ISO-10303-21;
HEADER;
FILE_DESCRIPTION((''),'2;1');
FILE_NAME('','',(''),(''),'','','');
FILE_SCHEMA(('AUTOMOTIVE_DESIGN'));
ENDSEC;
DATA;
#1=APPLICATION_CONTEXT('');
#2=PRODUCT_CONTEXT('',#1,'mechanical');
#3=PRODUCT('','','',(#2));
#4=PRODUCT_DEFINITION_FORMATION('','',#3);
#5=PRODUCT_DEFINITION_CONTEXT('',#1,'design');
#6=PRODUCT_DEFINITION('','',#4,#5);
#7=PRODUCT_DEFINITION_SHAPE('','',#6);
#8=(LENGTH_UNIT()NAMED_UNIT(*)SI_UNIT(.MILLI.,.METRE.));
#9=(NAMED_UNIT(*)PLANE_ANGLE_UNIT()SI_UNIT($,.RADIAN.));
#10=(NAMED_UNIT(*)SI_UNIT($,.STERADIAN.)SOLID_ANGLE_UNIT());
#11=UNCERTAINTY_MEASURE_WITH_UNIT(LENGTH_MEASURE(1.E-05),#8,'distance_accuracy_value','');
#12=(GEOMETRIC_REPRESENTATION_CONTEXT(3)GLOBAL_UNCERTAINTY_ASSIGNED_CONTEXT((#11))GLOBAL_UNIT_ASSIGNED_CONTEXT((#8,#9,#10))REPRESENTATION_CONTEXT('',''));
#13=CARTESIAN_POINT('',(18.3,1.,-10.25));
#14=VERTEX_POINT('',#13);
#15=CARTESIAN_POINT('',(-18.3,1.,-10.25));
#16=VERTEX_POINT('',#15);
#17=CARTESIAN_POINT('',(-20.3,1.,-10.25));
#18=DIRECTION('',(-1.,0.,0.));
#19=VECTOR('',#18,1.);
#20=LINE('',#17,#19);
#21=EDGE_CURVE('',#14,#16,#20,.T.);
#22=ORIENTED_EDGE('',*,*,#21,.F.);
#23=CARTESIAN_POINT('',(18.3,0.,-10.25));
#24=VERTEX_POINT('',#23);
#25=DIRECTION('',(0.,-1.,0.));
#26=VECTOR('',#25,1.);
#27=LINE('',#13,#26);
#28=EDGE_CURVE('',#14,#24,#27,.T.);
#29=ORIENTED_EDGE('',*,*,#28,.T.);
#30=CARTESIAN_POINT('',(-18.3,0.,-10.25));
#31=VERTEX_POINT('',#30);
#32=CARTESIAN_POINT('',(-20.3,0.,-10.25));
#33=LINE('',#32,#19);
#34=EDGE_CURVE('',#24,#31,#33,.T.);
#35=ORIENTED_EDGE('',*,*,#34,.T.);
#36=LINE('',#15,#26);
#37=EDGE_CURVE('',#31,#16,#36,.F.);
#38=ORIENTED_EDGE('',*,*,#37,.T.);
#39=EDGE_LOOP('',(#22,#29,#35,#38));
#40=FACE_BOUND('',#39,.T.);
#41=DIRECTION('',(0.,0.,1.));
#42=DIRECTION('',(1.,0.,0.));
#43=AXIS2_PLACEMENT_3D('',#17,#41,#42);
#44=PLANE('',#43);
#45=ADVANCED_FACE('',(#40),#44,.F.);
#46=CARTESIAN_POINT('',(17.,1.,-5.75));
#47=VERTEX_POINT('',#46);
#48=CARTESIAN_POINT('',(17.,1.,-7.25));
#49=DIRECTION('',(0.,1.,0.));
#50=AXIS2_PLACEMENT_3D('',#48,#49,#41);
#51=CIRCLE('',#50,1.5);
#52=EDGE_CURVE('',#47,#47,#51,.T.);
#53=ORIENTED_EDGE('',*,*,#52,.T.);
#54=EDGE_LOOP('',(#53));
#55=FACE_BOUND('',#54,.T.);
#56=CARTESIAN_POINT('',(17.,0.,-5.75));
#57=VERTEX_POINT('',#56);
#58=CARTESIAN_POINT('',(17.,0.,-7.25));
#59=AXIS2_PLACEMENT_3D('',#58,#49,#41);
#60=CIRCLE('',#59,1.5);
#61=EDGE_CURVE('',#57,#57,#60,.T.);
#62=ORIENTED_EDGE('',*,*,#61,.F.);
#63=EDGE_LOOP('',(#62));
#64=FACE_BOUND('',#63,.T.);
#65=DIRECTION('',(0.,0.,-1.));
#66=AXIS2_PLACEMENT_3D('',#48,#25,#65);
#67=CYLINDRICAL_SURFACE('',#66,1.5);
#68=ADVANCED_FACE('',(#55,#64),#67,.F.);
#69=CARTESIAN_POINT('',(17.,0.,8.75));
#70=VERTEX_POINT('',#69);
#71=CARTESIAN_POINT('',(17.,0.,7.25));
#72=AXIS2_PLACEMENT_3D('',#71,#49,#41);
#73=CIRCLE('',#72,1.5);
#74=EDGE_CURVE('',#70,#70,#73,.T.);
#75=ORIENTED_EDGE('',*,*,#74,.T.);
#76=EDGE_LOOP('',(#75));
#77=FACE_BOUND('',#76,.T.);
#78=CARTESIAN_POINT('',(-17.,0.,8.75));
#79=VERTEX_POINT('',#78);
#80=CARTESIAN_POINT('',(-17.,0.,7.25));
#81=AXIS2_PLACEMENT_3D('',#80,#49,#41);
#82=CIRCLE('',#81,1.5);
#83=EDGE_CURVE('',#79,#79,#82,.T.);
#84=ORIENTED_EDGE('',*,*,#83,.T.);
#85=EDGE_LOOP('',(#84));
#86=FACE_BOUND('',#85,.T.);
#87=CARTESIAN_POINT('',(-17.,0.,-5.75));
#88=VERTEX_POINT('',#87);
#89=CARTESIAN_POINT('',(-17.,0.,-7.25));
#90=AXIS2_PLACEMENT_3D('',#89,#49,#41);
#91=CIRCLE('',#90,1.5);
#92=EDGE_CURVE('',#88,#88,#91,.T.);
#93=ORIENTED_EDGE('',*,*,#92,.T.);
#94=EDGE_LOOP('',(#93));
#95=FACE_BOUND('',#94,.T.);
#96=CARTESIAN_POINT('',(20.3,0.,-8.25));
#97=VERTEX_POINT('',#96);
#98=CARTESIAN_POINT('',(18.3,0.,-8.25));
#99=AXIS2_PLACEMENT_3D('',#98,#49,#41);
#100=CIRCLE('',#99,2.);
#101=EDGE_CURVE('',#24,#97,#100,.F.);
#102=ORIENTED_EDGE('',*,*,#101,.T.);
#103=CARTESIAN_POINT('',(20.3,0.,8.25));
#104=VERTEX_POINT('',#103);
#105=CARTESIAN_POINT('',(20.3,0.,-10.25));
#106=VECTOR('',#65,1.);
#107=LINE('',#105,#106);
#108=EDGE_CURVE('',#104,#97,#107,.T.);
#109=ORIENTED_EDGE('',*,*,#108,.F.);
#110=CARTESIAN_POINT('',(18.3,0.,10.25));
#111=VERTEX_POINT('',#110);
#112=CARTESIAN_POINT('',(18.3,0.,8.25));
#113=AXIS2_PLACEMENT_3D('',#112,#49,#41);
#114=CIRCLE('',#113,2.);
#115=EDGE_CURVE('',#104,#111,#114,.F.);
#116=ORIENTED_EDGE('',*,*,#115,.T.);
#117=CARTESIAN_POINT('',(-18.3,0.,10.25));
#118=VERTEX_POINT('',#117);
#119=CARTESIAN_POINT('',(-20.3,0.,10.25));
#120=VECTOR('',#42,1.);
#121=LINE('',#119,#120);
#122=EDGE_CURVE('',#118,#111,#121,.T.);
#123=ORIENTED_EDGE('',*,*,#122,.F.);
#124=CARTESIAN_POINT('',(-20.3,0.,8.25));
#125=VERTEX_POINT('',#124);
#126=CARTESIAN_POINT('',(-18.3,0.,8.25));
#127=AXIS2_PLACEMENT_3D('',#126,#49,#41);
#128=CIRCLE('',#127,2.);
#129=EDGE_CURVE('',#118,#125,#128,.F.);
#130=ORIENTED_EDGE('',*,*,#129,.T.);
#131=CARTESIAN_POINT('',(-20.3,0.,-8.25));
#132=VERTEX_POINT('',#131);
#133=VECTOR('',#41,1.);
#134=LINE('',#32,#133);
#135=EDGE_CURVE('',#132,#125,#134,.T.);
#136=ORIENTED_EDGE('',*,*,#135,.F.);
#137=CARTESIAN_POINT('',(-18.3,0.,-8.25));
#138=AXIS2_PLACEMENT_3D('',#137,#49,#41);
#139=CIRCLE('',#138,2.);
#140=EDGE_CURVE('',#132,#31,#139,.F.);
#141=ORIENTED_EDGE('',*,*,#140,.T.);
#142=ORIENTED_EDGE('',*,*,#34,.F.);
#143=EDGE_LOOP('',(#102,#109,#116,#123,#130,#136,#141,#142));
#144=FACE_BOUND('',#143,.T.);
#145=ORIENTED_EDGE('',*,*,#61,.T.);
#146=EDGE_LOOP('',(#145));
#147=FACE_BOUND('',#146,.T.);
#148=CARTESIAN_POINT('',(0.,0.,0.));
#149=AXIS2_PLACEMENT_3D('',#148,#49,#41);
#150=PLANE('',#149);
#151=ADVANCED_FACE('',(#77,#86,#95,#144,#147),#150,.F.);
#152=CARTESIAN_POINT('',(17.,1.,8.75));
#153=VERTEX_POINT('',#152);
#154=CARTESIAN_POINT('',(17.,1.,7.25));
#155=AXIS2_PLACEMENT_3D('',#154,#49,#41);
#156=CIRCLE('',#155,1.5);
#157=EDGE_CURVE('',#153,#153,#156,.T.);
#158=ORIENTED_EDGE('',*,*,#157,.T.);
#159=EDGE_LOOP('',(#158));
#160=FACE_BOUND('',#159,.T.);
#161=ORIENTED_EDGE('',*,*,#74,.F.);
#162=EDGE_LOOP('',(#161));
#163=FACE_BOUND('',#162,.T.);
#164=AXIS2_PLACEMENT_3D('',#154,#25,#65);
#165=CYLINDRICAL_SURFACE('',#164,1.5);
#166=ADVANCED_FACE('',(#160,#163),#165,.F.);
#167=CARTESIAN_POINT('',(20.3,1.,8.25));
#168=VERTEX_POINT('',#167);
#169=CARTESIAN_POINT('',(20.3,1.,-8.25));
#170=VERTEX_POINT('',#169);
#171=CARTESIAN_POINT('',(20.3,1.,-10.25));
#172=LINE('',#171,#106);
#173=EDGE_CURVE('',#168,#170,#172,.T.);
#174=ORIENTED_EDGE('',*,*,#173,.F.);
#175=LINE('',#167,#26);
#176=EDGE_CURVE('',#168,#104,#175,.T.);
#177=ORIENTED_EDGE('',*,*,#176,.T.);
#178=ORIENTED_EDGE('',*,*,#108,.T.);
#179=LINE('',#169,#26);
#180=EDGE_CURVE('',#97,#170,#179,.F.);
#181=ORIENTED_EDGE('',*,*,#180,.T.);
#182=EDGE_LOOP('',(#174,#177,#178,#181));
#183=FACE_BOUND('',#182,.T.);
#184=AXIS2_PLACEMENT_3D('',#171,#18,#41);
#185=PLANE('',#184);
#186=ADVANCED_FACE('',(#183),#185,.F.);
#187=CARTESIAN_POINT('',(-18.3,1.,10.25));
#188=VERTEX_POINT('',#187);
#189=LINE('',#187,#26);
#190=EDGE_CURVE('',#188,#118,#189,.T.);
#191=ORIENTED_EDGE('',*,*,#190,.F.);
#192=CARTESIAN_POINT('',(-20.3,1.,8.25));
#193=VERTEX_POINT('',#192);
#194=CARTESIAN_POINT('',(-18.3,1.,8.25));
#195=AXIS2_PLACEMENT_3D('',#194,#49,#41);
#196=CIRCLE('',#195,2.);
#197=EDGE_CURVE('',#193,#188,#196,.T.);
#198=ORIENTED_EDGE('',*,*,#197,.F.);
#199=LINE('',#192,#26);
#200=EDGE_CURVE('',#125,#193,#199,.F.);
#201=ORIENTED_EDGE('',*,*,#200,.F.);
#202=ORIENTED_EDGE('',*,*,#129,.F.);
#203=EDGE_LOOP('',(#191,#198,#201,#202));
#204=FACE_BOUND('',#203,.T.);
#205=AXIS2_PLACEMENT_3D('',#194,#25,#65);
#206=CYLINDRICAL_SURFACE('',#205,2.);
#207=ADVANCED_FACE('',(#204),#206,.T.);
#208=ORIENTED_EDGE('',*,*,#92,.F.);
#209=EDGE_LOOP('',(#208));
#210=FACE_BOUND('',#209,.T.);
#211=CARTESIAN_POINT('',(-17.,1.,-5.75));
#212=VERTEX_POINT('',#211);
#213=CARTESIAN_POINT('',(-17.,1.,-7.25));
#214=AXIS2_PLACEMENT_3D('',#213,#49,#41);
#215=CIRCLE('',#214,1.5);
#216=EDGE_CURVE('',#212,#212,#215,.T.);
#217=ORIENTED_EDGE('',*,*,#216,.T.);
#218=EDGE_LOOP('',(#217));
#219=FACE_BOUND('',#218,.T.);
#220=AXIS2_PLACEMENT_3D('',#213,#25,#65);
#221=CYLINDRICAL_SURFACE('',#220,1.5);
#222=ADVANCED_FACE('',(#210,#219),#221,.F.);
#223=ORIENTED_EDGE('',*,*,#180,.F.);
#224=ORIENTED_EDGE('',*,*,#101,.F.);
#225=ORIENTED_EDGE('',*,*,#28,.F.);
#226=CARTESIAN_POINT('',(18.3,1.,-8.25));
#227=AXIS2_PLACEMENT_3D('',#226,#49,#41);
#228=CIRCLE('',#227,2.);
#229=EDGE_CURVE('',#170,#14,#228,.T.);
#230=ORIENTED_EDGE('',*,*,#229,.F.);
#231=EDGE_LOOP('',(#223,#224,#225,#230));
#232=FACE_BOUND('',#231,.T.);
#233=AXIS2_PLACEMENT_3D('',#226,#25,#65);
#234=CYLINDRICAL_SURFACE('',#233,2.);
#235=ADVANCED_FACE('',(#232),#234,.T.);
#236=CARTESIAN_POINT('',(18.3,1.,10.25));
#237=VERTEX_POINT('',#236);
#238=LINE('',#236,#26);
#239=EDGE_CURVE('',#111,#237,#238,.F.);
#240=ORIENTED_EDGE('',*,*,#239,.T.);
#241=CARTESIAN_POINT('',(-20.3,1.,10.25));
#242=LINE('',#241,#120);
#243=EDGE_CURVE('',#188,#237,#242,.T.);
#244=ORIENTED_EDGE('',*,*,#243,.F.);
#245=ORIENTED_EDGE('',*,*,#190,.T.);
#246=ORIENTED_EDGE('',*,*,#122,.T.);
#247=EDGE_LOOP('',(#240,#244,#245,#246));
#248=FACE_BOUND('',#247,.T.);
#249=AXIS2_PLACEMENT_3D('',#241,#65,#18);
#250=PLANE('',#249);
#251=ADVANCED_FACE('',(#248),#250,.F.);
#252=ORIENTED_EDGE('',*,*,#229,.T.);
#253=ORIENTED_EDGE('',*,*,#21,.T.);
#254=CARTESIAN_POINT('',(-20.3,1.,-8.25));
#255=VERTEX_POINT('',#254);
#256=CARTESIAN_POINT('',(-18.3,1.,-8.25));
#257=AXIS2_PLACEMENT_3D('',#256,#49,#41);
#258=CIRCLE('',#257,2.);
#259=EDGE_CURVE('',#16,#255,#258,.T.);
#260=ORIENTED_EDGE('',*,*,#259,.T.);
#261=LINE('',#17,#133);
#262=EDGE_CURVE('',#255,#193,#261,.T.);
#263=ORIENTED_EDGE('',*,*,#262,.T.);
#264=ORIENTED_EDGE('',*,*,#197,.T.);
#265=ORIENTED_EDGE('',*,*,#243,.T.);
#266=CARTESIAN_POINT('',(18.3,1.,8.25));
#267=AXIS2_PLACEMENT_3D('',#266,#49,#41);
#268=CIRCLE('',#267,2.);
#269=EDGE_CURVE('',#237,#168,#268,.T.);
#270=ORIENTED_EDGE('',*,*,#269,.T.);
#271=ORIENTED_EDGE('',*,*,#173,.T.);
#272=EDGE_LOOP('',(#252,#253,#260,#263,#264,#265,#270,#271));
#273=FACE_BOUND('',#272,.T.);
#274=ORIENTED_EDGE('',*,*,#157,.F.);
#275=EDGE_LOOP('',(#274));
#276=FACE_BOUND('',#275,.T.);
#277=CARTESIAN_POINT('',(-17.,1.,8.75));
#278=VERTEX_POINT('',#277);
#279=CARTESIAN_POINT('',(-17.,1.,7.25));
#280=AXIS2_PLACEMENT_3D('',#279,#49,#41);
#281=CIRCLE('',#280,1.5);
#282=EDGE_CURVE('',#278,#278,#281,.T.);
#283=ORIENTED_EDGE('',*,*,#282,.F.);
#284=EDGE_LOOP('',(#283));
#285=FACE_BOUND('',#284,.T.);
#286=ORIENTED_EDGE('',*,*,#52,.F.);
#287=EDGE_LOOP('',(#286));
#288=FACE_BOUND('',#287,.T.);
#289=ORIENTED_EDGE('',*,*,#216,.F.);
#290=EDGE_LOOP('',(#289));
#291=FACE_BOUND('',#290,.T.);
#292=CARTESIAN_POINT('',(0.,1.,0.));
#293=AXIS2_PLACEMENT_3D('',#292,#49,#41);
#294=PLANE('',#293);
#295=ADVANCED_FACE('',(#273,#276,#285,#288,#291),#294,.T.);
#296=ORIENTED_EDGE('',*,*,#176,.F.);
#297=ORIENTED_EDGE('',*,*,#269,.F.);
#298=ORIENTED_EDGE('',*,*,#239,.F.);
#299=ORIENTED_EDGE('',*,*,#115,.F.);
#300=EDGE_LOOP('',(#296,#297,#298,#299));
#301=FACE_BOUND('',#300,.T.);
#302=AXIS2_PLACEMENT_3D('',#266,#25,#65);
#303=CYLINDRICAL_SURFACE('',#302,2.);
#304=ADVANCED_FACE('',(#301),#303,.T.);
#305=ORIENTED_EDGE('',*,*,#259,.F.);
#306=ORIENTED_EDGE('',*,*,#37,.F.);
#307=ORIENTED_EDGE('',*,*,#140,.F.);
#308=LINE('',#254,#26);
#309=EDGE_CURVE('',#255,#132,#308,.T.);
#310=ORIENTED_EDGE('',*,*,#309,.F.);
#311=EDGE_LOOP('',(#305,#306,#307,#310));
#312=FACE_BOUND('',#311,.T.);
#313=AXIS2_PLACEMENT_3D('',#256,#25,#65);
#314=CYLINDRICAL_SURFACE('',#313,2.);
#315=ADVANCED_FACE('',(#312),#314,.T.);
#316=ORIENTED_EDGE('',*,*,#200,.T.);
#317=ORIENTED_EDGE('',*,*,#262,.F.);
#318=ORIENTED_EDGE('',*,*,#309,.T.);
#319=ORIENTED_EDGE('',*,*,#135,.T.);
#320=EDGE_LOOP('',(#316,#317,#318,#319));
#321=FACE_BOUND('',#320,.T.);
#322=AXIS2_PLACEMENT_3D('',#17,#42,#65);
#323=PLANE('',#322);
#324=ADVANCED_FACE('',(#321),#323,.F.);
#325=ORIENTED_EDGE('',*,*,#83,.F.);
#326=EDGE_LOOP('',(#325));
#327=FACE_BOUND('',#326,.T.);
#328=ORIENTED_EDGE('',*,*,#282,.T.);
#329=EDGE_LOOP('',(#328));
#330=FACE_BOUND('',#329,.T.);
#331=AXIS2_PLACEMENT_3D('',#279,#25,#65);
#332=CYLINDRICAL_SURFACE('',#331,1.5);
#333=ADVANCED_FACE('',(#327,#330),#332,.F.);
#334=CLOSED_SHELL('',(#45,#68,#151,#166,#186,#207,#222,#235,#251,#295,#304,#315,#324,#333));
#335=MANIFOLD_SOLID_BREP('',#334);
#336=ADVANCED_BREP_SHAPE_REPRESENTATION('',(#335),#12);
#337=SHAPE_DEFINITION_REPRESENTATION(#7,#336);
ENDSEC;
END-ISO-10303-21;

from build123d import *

# Parameters (mm, degrees)
SKETCH_1_W      = 40.6
SKETCH_1_H      = 20.5
SKETCH_1_R      = 1.5
EXTRUDE_1_DEPTH = 1
FILLET_1_R      = 2


with BuildPart() as part:
    # Эскиз1 → Бобышка-Вытянуть1 (new body)
    with BuildSketch(Plane(origin=(0, 0, 0), x_dir=(1, 0, 0), z_dir=(0, 1, 0))):
        Rectangle(SKETCH_1_W, SKETCH_1_H)
        with Locations(Location((-17, 7.25, 0), (0, 0, 270))):
            Circle(SKETCH_1_R, mode=Mode.SUBTRACT)
        with Locations(Location((-17, -7.25, 0), (0, 0, 270))):
            Circle(SKETCH_1_R, mode=Mode.SUBTRACT)
        with Locations(Location((17, -7.25, 0), (0, 0, 270))):
            Circle(SKETCH_1_R, mode=Mode.SUBTRACT)
        with Locations(Location((17, 7.25, 0), (0, 0, 270))):
            Circle(SKETCH_1_R, mode=Mode.SUBTRACT)
    extrude(amount=EXTRUDE_1_DEPTH)

    # Скругление1
    fillet_1_edges = [part.edges().sort_by_distance(p)[0] for p in [
        (-20.3, 0.5, -10.25),
        (20.3, 0.5, -10.25),
        (20.3, 0.5, 10.25),
        (-20.3, 0.5, 10.25),
    ]]
    fillet(fillet_1_edges, radius=FILLET_1_R)


solid = part.part
